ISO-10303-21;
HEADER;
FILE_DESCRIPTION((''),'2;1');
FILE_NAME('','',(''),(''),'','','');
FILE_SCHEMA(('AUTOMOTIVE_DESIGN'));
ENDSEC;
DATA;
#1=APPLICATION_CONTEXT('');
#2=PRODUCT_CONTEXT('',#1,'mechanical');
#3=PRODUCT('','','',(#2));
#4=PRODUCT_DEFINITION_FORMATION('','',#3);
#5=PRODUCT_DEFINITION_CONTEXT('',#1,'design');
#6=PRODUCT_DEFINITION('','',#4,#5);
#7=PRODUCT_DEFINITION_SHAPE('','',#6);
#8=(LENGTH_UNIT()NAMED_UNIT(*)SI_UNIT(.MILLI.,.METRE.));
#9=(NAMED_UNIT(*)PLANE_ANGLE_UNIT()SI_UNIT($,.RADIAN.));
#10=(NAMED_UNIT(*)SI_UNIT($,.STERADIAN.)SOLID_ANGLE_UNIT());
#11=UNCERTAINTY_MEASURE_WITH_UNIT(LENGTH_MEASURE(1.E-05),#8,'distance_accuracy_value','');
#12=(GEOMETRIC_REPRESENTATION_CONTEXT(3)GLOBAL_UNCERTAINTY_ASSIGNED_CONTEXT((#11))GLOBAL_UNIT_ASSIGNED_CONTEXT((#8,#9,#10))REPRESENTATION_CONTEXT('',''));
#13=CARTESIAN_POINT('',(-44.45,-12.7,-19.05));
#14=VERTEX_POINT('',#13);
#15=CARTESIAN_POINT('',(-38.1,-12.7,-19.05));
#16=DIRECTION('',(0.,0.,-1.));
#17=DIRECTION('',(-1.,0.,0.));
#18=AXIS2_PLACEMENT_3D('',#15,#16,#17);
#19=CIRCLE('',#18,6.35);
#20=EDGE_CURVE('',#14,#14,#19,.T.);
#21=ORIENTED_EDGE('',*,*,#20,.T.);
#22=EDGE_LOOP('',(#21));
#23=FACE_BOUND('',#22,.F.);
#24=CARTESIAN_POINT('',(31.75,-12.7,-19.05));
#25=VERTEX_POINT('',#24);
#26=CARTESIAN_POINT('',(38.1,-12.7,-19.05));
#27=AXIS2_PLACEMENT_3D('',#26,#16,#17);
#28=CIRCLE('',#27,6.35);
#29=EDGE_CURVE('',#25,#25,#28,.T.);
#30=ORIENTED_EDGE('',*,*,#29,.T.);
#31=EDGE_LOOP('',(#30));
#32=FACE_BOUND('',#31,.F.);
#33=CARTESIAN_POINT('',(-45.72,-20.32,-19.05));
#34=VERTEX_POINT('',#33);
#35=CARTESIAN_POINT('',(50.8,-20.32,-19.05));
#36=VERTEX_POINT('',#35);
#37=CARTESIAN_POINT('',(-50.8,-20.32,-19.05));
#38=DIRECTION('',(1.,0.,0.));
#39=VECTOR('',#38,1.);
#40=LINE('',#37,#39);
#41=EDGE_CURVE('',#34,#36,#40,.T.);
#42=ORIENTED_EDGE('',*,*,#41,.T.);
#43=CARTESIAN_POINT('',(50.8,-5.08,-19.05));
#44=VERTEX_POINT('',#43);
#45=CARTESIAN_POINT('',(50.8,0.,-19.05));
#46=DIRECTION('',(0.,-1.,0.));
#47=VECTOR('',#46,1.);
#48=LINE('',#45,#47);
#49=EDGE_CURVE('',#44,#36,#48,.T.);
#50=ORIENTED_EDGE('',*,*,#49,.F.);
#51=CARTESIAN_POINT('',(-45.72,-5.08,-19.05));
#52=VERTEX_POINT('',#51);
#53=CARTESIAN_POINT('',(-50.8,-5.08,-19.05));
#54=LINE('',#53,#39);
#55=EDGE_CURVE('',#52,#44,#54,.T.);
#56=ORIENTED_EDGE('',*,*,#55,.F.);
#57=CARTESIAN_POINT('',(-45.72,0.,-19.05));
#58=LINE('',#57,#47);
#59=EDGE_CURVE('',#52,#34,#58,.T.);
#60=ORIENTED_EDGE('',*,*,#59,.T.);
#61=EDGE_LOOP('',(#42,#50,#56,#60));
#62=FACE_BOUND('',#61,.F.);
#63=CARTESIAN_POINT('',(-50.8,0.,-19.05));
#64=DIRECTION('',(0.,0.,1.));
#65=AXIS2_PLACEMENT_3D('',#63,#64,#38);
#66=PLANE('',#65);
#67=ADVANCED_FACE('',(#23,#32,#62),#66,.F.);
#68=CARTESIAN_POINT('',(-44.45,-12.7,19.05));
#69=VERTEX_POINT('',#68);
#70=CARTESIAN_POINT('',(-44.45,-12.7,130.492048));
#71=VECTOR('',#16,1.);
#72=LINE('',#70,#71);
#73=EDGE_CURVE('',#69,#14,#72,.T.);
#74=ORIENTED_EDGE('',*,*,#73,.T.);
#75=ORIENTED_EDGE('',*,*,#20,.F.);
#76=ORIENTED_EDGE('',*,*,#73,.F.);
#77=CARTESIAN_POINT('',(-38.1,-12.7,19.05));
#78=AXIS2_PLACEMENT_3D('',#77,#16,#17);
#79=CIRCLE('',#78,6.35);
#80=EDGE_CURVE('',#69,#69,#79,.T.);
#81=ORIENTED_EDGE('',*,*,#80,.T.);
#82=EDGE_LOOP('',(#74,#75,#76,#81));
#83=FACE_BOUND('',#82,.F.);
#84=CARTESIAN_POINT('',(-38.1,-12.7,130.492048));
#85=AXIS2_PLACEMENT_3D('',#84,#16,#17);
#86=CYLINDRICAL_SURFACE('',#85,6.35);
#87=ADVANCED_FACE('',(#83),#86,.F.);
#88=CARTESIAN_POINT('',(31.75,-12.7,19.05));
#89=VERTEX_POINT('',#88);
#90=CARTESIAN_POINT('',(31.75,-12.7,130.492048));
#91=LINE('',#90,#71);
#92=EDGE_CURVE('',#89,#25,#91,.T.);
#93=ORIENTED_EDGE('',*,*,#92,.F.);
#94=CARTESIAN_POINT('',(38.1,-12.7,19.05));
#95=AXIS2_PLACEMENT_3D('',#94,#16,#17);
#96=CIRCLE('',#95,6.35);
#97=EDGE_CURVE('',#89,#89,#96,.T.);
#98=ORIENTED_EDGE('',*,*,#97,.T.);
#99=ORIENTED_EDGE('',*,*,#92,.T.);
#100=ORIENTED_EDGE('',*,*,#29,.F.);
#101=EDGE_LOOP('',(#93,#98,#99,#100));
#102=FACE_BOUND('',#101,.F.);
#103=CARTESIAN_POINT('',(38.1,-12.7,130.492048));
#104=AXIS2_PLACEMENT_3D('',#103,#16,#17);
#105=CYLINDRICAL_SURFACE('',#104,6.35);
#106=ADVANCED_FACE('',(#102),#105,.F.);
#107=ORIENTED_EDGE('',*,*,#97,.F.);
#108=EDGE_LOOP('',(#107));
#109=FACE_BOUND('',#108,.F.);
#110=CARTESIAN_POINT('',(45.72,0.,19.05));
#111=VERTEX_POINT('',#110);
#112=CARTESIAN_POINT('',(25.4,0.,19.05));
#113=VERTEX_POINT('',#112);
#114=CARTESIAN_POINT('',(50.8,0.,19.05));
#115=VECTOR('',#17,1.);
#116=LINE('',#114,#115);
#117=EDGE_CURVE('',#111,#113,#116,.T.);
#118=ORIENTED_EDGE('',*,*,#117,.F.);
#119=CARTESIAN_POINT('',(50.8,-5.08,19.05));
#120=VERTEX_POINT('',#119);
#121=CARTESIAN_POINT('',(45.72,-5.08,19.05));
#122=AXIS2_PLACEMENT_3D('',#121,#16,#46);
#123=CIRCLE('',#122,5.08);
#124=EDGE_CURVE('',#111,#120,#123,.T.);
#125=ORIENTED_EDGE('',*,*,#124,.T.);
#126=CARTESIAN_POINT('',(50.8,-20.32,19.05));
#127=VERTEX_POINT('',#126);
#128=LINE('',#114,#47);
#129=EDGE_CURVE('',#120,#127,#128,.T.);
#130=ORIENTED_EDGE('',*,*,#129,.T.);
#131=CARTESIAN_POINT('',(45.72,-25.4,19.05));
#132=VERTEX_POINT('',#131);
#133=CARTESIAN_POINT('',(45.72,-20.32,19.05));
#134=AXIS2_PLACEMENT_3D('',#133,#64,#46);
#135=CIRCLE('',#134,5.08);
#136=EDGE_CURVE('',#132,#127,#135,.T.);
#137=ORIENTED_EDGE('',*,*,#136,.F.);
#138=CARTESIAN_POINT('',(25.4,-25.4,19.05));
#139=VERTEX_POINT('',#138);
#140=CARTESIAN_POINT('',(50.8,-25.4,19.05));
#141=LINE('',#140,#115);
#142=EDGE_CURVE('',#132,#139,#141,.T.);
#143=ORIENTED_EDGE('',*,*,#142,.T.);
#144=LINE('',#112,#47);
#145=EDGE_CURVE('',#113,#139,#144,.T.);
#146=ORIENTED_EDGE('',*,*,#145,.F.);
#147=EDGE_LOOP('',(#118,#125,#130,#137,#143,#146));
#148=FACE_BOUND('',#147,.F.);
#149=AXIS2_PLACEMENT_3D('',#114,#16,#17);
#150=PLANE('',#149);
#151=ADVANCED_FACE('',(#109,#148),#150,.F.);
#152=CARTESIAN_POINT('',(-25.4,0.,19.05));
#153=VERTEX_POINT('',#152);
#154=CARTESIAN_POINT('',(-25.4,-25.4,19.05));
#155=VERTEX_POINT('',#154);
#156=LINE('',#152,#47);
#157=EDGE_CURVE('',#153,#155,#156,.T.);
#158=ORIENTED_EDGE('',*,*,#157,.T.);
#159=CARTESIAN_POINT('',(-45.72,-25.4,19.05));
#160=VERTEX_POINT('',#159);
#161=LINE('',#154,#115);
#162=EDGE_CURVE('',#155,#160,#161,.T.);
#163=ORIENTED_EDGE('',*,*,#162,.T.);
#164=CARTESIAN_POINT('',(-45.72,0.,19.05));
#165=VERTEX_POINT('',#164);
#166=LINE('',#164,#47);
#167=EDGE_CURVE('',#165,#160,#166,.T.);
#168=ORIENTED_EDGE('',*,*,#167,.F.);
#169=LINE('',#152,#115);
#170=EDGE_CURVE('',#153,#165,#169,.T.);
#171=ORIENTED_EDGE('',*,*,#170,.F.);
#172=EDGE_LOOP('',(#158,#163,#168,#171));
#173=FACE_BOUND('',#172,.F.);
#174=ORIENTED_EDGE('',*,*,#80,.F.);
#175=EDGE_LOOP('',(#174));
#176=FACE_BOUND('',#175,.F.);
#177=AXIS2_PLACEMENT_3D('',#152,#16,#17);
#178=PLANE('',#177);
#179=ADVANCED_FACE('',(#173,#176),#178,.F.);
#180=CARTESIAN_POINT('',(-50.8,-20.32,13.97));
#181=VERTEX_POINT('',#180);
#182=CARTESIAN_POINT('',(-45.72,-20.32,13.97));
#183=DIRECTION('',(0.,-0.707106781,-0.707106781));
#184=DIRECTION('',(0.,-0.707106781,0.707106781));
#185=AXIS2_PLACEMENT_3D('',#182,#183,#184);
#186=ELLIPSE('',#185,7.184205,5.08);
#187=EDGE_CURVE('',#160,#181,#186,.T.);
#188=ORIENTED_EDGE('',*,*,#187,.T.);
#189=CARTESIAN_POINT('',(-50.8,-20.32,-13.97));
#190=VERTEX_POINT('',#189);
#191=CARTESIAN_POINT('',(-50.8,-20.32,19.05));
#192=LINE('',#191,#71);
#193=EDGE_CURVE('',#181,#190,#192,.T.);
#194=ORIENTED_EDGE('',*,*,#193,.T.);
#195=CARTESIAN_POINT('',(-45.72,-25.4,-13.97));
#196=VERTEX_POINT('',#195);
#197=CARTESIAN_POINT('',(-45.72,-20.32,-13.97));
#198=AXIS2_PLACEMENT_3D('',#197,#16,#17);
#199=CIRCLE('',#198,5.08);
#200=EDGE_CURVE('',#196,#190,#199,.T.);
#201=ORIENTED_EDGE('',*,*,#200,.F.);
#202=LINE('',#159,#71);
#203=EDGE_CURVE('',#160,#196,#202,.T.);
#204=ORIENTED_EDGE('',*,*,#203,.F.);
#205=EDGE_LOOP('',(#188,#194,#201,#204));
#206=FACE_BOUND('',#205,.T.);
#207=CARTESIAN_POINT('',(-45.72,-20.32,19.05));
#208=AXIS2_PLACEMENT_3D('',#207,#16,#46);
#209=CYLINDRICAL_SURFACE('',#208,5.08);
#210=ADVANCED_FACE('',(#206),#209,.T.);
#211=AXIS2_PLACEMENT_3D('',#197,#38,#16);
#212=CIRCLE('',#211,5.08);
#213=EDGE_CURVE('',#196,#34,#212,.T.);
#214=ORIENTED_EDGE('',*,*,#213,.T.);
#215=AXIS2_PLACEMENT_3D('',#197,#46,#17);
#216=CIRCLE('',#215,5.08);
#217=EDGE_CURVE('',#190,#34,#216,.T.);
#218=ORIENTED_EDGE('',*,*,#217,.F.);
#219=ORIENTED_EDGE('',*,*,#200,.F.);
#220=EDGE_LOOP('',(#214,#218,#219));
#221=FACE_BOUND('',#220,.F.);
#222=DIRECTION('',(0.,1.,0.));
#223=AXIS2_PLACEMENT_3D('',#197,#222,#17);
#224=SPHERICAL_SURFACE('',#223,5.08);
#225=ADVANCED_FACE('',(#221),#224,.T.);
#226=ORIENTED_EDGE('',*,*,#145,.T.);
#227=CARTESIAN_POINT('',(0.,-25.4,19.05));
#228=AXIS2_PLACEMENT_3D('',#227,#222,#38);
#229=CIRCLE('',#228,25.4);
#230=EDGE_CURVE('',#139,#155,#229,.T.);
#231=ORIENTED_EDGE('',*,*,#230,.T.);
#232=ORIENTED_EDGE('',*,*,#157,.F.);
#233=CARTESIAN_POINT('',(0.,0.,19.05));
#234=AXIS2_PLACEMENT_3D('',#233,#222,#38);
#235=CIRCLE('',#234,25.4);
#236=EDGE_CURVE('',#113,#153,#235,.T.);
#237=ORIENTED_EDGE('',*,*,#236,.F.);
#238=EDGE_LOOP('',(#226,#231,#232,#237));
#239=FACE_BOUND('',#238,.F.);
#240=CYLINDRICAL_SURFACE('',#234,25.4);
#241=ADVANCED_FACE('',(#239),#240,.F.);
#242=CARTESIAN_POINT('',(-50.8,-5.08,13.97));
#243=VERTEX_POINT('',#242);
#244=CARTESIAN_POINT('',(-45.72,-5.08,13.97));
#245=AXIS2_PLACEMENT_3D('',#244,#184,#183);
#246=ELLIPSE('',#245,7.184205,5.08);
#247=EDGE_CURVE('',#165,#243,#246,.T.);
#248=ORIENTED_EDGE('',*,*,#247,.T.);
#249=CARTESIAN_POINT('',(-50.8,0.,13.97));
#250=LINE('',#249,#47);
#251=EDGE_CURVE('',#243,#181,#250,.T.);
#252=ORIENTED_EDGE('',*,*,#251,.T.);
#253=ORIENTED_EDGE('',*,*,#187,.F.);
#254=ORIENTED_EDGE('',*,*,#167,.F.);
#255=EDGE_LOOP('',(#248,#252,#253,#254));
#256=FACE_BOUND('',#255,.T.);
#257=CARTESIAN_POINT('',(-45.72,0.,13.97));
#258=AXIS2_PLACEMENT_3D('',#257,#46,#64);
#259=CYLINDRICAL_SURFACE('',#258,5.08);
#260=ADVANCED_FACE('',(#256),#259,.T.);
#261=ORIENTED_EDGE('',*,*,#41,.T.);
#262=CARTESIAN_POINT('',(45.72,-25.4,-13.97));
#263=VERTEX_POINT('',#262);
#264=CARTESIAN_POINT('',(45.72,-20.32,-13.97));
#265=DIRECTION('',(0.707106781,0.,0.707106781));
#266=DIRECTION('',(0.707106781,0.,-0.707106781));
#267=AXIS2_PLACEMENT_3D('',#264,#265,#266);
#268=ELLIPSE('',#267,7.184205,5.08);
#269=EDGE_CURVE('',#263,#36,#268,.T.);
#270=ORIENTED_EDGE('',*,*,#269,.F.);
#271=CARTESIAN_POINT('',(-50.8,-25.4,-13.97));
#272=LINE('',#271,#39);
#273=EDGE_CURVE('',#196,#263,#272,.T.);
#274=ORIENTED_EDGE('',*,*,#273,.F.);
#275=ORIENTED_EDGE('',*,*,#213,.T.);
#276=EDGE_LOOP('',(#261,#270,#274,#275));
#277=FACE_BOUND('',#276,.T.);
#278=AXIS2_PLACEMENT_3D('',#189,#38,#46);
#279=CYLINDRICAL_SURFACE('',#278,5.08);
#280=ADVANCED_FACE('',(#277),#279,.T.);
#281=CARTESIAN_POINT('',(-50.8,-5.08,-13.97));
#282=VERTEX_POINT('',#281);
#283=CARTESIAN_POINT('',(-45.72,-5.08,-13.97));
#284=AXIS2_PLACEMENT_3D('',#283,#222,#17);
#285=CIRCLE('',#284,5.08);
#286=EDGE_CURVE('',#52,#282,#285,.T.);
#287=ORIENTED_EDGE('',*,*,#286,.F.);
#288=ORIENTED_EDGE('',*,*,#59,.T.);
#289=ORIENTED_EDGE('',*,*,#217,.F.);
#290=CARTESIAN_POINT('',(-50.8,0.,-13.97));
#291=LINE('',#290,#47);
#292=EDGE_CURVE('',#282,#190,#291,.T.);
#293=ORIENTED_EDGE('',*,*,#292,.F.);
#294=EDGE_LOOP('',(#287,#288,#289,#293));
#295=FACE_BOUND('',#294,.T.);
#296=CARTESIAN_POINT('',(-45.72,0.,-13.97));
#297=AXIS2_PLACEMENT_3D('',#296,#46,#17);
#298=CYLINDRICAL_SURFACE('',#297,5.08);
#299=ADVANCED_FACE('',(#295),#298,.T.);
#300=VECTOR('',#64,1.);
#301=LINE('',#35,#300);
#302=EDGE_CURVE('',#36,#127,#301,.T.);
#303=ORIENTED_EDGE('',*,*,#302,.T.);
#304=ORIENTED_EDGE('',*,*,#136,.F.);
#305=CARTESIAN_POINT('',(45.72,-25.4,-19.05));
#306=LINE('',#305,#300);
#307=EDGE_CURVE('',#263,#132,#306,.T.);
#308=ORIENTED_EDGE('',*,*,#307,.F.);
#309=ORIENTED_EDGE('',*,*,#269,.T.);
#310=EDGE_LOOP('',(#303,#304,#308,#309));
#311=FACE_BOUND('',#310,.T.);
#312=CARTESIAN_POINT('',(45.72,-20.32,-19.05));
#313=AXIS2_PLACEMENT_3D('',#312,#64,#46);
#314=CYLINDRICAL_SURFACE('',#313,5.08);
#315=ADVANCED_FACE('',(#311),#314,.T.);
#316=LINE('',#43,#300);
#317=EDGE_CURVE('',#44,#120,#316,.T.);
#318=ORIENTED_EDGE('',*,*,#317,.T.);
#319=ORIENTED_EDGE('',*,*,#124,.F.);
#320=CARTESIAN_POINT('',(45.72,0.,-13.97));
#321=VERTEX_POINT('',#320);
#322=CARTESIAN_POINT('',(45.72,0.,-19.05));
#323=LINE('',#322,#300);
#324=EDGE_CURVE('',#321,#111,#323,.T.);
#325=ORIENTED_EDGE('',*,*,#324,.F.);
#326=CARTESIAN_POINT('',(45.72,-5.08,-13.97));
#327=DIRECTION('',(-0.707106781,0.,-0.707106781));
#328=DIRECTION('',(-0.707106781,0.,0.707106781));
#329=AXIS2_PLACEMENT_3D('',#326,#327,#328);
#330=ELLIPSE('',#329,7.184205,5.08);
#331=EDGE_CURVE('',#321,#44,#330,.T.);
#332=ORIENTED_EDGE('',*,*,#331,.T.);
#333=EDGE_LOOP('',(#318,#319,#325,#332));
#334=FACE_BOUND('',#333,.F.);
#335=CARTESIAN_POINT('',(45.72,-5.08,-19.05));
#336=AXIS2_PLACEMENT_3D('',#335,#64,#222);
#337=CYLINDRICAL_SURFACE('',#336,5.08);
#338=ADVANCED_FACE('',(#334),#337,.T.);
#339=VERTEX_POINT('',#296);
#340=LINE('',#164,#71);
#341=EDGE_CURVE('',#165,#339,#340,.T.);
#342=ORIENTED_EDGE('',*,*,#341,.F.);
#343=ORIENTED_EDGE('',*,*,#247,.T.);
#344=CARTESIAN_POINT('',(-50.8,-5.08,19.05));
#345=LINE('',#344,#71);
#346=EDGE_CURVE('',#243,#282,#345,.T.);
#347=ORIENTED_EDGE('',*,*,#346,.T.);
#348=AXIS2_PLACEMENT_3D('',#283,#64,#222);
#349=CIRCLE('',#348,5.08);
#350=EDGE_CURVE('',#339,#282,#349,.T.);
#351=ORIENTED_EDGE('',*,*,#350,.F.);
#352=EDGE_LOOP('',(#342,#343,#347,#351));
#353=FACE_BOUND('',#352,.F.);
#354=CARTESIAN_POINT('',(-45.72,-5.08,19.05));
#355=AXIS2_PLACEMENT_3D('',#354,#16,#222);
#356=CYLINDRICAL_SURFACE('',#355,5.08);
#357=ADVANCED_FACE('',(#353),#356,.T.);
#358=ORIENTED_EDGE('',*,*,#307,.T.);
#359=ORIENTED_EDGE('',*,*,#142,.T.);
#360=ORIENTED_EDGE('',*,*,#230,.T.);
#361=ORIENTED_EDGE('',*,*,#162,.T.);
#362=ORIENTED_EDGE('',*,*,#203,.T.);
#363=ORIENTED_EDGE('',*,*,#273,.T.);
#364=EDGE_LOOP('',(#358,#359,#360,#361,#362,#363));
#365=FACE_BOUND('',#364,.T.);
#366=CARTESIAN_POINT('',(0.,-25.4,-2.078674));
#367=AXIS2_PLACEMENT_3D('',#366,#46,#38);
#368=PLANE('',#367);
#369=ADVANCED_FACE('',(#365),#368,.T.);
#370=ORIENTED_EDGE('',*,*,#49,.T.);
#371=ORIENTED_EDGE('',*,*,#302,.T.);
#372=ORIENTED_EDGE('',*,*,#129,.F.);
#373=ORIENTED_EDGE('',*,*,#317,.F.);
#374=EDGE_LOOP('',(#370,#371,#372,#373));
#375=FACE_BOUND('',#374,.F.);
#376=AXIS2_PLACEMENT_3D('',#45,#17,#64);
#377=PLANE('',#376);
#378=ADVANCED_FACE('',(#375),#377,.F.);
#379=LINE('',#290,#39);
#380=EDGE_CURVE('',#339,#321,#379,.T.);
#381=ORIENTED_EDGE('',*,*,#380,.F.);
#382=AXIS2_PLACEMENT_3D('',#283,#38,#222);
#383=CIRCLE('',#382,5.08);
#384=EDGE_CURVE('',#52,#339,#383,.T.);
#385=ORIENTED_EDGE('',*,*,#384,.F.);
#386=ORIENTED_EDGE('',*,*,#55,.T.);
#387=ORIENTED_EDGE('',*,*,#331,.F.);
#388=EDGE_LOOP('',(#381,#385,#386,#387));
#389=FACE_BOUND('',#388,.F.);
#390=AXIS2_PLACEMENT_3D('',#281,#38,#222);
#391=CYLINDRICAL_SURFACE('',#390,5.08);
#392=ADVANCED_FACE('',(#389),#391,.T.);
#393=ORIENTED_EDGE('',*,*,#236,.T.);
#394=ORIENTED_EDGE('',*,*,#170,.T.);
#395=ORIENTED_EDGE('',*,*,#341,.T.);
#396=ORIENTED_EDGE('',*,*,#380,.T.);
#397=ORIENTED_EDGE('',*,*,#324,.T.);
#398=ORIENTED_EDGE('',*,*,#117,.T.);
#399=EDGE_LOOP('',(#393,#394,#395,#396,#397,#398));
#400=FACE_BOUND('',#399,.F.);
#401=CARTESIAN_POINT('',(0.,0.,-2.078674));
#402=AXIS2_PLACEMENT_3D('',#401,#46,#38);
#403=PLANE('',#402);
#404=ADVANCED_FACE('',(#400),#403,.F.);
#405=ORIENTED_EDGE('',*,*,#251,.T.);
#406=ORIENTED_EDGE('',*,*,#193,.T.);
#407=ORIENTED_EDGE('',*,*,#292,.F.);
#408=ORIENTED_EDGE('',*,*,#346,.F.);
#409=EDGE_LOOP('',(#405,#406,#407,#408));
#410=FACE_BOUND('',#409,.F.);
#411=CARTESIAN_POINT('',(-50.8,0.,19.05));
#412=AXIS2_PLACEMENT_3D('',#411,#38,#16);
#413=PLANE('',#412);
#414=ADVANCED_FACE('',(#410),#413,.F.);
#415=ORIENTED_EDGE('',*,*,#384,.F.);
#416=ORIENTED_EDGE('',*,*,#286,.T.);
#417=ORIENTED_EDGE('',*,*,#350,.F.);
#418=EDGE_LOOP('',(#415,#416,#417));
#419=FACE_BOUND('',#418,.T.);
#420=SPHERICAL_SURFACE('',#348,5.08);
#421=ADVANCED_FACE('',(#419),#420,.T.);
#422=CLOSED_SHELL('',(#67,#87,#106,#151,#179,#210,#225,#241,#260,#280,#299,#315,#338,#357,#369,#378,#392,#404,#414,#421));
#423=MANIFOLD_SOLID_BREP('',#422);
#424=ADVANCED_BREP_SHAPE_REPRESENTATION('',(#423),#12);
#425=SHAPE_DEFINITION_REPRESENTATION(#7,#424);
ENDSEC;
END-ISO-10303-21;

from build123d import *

# Parameters (mm, degrees)
F1_DEPTH = 25.4
F3_D     = 12.7
F4_D     = 12.7
F5_R     = 5.08


with BuildPart() as f1:
    # F0 (on Front) → F1 (new body)
    with BuildSketch(Plane.XZ):
        with BuildLine():
            Line((-25.4, 19.05), (-50.8, 19.05))
            Line((-50.8, 19.05), (-50.8, -19.05))
            Line((-50.8, -19.05), (50.8, -19.05))
            Line((50.8, -19.05), (50.8, 19.05))
            Line((50.8, 19.05), (25.4, 19.05))
            ThreePointArc((25.4, 19.05), (0, -6.35), (-25.4, 19.05))
        make_face()
    extrude(amount=F1_DEPTH)

    # F3 (through all)
    with Locations(Plane.XY.offset(19.05)):
        with Locations((-38.1, -12.7)):
            Hole(F3_D / 2)

    # F4 (through all)
    with Locations(Plane.XY.offset(19.05)):
        with Locations((38.1, -12.7)):
            Hole(F4_D / 2)

    # F5
    f5_edges = [f1.edges().sort_by_distance(p)[0] for p in [
        (50.8, 0, 0),
        (-50.8, 0, 0),
        (0, 0, -19.05),
        (-50.8, -12.7, -19.05),
        (-50.8, -12.7, 19.05),
        (-50.8, -25.4, 0),
        (0, -25.4, -19.05),
        (50.8, -25.4, 0),
    ]]
    fillet(f5_edges, radius=F5_R)


solid = f1.part
